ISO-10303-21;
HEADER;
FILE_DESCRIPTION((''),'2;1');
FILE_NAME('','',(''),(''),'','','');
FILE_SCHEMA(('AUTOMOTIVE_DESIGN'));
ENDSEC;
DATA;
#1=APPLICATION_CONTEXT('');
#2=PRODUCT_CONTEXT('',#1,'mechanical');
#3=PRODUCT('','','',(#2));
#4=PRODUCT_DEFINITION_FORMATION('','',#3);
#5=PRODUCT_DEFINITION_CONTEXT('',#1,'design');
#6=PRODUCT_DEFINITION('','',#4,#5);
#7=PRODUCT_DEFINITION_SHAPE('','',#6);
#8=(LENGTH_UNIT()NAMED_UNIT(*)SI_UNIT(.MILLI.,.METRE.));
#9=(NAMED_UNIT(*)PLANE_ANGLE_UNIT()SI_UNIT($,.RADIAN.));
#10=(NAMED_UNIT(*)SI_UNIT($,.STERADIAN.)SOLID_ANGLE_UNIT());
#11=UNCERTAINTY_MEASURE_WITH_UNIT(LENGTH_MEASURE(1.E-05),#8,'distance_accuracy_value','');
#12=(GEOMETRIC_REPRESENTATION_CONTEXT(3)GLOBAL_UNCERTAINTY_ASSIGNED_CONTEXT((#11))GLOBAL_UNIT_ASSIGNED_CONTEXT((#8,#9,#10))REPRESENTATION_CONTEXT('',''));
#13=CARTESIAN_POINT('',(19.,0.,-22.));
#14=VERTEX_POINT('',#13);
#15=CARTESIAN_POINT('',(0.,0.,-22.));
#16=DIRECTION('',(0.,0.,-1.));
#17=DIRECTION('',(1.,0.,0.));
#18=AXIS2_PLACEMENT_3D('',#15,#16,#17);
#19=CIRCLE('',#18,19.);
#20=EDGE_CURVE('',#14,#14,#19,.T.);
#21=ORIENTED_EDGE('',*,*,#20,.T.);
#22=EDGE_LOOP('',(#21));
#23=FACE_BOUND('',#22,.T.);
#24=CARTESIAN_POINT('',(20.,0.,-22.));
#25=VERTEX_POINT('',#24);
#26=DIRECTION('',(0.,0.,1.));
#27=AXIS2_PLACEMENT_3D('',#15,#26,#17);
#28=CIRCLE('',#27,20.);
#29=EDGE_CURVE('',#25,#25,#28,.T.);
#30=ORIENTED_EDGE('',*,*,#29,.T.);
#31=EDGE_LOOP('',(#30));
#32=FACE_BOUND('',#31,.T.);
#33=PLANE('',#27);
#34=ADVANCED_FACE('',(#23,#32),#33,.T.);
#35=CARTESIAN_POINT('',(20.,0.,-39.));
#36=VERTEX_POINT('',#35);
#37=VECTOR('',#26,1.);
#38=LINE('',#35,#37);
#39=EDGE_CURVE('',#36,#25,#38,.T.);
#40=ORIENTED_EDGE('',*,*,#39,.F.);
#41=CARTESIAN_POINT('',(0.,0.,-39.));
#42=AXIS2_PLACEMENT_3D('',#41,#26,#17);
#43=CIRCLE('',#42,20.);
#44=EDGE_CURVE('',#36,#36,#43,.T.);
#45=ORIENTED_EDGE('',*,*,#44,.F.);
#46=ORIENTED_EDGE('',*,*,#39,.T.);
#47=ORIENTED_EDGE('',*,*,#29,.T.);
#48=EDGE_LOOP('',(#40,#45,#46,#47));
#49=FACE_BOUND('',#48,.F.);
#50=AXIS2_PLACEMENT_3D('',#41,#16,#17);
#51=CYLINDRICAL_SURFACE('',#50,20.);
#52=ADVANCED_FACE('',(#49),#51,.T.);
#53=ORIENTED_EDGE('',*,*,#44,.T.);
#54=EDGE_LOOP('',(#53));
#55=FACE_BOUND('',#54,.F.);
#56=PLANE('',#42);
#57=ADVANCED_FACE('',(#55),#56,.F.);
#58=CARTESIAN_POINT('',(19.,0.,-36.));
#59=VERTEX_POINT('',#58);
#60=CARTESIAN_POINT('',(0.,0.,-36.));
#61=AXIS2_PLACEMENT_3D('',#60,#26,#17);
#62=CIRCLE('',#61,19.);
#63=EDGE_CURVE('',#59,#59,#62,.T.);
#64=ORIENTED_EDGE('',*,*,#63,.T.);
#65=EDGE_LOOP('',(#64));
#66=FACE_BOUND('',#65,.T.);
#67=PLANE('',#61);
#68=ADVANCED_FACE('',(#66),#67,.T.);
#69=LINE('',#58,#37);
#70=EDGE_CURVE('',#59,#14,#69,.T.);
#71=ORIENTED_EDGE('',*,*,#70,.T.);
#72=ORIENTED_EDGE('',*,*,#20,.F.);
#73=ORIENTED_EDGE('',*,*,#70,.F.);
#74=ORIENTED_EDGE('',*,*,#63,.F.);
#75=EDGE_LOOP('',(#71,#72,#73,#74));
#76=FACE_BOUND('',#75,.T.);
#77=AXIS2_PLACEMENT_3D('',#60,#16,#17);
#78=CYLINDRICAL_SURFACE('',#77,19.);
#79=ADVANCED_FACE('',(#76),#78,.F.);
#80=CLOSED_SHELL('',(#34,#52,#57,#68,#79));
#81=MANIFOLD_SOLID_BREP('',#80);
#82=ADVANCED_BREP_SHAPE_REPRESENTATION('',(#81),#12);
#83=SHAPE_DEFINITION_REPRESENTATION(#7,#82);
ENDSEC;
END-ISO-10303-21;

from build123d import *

# Parameters (mm, degrees)
CYLINDER004_R     = 19
CYLINDER004_DEPTH = 15
CYLINDER003_R     = 20
CYLINDER003_DEPTH = 17


with BuildPart() as cylinder001:
    # Cylinder004 → Cylinder004 (new body)
    with BuildSketch(Plane.XY.offset(3)):
        Circle(CYLINDER004_R)
    extrude(amount=CYLINDER004_DEPTH)


with BuildPart() as tapon:
    # Cylinder003 → Cylinder003 (new body)
    with BuildSketch(Plane.XY):
        Circle(CYLINDER003_R)
    extrude(amount=CYLINDER003_DEPTH)

    # Cut003: cut Cylinder001
    add(cylinder001.part, mode=Mode.SUBTRACT)


with BuildPart() as tapon_1:
    # Cut003 placement: moved
    add(tapon.part.moved(Location((0, 0, -39))))


solid = tapon_1.part
